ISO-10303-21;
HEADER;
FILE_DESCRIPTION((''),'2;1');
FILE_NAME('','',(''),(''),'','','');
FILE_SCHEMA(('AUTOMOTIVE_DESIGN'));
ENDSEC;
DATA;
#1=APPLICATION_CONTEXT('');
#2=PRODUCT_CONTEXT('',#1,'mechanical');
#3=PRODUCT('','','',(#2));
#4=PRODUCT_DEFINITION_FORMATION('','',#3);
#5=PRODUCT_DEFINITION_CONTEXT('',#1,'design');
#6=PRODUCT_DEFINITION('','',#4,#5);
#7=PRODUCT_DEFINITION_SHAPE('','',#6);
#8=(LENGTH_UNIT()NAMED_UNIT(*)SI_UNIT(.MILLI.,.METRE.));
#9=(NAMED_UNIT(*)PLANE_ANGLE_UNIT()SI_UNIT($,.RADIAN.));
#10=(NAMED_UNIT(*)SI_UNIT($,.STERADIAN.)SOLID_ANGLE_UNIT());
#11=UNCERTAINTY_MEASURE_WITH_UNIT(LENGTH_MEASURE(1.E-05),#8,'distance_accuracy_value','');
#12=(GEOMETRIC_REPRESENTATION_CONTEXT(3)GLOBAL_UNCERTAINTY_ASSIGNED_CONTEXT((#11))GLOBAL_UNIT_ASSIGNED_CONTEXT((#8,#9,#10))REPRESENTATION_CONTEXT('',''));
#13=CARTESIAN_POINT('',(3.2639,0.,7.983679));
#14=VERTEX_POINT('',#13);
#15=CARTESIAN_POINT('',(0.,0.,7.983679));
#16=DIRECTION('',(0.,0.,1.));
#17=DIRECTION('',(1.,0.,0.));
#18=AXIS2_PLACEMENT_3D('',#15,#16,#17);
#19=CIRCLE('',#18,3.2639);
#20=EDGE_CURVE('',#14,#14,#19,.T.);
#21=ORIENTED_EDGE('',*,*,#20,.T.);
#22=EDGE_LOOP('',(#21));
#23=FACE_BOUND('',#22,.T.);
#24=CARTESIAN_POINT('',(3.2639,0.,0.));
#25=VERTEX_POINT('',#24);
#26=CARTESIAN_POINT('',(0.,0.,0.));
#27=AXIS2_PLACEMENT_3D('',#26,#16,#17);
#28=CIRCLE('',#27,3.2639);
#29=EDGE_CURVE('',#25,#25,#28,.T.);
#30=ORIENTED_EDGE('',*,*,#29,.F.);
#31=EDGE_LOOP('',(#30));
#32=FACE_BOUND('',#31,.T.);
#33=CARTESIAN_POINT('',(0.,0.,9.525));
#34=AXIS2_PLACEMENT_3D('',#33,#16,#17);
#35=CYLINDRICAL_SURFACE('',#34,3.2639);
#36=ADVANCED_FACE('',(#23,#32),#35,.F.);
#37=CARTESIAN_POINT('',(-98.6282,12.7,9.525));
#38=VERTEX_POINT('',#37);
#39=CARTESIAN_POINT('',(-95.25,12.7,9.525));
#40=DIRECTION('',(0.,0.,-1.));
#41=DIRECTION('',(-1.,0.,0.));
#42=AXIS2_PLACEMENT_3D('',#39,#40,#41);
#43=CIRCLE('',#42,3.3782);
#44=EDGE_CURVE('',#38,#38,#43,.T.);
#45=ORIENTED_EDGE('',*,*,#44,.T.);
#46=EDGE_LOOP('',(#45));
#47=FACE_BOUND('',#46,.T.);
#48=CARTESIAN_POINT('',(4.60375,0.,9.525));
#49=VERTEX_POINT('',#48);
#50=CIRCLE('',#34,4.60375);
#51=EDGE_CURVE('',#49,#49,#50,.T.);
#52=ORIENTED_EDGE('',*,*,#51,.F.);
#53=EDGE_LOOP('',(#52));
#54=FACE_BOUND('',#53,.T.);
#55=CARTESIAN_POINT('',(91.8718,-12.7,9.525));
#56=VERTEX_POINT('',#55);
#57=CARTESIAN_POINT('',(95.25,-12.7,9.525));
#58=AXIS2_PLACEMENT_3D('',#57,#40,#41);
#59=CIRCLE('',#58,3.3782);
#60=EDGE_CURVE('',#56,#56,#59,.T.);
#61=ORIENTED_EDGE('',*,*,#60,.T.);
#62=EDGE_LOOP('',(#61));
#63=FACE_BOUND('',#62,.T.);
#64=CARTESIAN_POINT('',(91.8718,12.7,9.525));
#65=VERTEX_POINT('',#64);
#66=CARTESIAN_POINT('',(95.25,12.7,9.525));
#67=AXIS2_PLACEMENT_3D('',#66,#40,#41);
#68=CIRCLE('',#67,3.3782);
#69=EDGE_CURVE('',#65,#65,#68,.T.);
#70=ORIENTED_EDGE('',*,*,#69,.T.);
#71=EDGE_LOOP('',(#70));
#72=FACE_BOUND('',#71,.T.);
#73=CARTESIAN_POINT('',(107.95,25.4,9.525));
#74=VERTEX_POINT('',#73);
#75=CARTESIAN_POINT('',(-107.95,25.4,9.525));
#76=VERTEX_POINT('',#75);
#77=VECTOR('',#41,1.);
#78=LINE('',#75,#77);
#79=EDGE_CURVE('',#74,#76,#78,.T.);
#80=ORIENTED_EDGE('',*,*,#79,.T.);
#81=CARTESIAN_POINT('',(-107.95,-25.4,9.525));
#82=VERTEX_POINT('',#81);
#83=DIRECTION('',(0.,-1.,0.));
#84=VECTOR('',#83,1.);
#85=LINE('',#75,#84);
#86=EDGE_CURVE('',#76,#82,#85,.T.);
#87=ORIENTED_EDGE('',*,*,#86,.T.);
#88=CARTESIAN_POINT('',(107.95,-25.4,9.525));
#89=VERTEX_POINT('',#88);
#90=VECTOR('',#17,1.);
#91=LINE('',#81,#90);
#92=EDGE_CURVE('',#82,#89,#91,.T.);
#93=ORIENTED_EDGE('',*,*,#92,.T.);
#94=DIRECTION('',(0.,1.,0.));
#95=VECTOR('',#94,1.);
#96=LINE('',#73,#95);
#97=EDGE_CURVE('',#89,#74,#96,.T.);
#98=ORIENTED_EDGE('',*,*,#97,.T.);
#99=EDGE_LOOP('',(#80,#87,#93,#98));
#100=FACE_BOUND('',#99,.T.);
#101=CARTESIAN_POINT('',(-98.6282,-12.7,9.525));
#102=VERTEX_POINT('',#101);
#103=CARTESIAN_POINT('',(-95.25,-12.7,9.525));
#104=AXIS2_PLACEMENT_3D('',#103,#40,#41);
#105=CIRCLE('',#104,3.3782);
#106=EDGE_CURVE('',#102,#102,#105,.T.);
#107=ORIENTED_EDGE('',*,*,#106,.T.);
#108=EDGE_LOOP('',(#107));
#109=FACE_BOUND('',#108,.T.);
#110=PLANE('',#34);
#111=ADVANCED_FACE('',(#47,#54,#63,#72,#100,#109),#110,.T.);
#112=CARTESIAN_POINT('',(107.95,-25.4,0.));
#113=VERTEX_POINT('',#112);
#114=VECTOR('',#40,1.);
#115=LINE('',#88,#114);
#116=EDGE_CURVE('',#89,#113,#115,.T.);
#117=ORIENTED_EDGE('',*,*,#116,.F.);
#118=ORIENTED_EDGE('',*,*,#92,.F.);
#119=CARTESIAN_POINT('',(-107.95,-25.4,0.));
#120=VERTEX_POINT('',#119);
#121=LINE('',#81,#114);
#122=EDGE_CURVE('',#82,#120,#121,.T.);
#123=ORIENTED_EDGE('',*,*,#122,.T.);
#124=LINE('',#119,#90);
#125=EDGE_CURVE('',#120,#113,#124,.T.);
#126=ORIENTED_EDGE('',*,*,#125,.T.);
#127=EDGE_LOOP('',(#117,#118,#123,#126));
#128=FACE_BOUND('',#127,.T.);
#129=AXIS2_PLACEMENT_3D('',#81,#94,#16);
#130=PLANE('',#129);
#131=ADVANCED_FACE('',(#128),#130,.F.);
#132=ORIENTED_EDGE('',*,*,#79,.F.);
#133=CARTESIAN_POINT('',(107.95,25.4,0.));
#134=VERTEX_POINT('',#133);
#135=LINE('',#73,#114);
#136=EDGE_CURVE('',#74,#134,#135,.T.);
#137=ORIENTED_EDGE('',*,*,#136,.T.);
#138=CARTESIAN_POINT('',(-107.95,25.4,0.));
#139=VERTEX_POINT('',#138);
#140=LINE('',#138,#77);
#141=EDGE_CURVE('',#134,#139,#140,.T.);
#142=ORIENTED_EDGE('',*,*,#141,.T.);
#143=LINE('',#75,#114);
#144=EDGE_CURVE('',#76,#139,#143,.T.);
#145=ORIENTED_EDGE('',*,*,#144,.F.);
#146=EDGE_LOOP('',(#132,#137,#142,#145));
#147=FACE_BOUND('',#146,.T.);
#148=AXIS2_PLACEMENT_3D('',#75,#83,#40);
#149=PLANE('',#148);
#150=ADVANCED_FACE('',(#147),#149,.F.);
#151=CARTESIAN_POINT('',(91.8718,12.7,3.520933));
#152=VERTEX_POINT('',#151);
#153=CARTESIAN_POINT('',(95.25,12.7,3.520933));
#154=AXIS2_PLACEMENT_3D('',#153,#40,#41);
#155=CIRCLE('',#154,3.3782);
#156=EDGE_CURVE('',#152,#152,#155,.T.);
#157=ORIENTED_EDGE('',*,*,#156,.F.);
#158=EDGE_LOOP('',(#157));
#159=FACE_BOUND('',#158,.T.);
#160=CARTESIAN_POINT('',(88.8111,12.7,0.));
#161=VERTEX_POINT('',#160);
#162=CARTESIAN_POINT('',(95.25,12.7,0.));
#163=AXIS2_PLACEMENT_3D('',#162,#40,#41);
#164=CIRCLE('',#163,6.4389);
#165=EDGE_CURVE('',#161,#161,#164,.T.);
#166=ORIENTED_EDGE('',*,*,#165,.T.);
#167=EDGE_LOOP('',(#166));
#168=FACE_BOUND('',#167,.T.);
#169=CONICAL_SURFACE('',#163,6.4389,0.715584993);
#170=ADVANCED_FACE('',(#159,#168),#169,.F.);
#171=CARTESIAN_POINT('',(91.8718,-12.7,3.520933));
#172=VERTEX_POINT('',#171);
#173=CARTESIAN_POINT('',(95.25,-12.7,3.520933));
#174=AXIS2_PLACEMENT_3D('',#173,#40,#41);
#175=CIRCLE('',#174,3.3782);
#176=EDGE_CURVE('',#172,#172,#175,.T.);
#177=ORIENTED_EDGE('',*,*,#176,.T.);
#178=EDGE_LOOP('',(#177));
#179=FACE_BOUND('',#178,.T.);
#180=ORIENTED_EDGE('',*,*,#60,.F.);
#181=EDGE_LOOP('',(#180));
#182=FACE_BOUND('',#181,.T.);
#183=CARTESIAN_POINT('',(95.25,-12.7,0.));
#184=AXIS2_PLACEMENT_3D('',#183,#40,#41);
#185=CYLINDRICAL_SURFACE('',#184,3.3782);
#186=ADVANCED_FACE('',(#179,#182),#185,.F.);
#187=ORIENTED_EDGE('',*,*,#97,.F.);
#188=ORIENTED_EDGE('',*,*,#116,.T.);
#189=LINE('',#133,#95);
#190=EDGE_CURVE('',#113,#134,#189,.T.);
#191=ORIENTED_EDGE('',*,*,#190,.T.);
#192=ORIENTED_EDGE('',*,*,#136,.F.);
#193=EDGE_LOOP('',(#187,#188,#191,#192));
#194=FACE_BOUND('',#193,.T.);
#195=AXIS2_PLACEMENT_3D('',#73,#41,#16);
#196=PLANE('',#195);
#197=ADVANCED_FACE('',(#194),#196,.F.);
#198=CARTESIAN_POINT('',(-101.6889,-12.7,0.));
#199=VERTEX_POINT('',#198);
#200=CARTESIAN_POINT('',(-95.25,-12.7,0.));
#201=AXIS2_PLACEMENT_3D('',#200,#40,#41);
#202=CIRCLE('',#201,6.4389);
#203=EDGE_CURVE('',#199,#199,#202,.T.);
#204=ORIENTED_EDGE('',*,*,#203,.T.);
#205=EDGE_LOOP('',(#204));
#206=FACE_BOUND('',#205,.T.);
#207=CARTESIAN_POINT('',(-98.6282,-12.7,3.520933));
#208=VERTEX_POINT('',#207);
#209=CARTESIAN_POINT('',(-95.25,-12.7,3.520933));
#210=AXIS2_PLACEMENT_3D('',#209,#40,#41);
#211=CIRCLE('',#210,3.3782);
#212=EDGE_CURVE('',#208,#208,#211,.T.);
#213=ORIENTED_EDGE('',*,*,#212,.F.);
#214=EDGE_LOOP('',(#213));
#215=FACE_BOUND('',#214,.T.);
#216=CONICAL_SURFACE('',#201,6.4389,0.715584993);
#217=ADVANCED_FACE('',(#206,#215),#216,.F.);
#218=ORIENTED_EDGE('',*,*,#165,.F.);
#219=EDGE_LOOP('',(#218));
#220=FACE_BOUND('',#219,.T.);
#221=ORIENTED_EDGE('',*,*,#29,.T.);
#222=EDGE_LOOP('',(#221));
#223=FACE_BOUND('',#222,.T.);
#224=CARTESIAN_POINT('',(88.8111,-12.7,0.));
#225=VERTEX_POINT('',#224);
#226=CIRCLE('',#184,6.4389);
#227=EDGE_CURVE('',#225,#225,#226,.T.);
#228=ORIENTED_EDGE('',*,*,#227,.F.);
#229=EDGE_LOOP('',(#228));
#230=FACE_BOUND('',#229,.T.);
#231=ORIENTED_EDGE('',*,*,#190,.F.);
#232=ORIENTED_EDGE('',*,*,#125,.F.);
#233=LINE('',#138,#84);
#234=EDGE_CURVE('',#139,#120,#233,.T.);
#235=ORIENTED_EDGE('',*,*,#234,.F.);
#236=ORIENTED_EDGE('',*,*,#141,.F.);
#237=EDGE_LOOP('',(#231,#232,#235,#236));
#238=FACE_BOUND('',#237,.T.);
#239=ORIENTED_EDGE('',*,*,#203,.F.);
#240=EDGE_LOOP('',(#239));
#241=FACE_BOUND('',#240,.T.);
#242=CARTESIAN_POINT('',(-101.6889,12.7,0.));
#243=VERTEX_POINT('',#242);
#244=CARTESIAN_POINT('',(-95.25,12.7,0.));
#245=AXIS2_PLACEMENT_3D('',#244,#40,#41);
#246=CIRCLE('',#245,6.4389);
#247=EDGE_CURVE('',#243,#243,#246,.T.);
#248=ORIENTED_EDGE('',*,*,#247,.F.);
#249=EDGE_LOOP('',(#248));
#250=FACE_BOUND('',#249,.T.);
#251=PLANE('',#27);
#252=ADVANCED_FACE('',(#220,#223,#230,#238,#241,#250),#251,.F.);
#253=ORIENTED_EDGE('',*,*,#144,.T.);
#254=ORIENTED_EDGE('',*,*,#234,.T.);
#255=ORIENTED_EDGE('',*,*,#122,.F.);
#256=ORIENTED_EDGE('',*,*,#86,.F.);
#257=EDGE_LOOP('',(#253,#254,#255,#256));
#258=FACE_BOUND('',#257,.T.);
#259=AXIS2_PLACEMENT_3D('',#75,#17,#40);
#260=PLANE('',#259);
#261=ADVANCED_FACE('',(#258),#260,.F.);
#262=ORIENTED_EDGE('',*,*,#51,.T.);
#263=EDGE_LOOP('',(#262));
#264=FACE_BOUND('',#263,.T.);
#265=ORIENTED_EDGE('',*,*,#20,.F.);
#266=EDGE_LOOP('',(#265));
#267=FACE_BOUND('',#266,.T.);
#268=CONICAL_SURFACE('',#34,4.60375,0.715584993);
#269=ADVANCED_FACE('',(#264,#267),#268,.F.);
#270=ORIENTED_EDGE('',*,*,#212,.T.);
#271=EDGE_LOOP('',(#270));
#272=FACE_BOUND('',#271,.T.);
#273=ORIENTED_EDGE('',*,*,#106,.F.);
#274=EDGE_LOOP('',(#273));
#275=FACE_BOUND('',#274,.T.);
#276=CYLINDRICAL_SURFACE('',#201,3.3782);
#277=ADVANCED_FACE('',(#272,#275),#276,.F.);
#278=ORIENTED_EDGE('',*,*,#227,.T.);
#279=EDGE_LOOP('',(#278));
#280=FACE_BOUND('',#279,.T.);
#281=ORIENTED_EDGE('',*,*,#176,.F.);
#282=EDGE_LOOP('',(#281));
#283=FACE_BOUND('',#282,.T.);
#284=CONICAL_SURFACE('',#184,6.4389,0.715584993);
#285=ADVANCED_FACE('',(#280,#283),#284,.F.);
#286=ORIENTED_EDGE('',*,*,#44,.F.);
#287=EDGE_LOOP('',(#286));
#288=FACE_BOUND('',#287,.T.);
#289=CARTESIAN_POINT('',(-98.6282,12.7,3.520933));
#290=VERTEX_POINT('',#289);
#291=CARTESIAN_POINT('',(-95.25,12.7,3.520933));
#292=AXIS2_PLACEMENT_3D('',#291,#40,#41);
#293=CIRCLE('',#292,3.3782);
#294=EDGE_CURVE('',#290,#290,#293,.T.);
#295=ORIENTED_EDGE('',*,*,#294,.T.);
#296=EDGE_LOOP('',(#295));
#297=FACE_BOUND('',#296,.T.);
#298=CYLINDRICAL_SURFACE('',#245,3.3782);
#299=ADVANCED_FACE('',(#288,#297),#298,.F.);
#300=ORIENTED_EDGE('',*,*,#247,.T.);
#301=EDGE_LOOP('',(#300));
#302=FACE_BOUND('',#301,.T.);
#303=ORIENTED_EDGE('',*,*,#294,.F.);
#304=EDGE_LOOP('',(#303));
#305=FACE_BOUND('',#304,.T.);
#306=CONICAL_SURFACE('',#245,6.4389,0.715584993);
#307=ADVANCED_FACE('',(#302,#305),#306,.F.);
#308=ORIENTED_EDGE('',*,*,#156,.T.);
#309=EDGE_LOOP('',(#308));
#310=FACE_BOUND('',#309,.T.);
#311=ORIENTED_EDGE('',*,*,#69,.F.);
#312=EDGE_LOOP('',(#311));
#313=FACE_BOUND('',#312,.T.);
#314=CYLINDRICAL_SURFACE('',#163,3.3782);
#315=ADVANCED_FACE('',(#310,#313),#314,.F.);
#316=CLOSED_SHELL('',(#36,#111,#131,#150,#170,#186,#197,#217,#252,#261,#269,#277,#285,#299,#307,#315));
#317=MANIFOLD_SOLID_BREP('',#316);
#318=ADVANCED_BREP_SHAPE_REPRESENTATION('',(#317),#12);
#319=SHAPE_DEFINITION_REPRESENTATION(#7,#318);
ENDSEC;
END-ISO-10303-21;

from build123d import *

# Parameters (mm, degrees)
SKETCH1_W                                        = 215.9
SKETCH1_H                                        = 50.8
BOSS_EXTRUDE1_DEPTH                              = 9.525
CSK_FOR_1_4_FLAT_HEAD_MACHINE_SCREW1_D           = 6.7564
CSK_FOR_1_4_FLAT_HEAD_MACHINE_SCREW1_CSINK_D     = 12.8778
CSK_FOR_1_4_FLAT_HEAD_MACHINE_SCREW1_CSINK_ANGLE = 82
F_5_16_18_TAPPED_HOLE1_D                         = 6.5278
F_5_16_18_TAPPED_HOLE1_CSINK_D                   = 9.2075
F_5_16_18_TAPPED_HOLE1_CSINK_ANGLE               = 82


with BuildPart() as part:
    # Sketch1 → Boss-Extrude1 (new body)
    with BuildSketch(Plane.XY):
        Rectangle(SKETCH1_W, SKETCH1_H)
    extrude(amount=BOSS_EXTRUDE1_DEPTH)

    # CSK for 1/4 Flat Head Machine Screw1 (through all)
    with Locations(Plane(origin=(0, 0, 0), x_dir=(-1, 0, 0), z_dir=(0, 0, -1))):
        with Locations((-95.25, 12.7), (-95.25, -12.7), (95.25, 12.7), (95.25, -12.7)):
            CounterSinkHole(CSK_FOR_1_4_FLAT_HEAD_MACHINE_SCREW1_D / 2, CSK_FOR_1_4_FLAT_HEAD_MACHINE_SCREW1_CSINK_D / 2, counter_sink_angle=CSK_FOR_1_4_FLAT_HEAD_MACHINE_SCREW1_CSINK_ANGLE)

    # 5/16-18 Tapped Hole1 (through all)
    with Locations(Plane.XY.offset(9.525)):
        with Locations((0, 0)):
            CounterSinkHole(F_5_16_18_TAPPED_HOLE1_D / 2, F_5_16_18_TAPPED_HOLE1_CSINK_D / 2, counter_sink_angle=F_5_16_18_TAPPED_HOLE1_CSINK_ANGLE)


solid = part.part
